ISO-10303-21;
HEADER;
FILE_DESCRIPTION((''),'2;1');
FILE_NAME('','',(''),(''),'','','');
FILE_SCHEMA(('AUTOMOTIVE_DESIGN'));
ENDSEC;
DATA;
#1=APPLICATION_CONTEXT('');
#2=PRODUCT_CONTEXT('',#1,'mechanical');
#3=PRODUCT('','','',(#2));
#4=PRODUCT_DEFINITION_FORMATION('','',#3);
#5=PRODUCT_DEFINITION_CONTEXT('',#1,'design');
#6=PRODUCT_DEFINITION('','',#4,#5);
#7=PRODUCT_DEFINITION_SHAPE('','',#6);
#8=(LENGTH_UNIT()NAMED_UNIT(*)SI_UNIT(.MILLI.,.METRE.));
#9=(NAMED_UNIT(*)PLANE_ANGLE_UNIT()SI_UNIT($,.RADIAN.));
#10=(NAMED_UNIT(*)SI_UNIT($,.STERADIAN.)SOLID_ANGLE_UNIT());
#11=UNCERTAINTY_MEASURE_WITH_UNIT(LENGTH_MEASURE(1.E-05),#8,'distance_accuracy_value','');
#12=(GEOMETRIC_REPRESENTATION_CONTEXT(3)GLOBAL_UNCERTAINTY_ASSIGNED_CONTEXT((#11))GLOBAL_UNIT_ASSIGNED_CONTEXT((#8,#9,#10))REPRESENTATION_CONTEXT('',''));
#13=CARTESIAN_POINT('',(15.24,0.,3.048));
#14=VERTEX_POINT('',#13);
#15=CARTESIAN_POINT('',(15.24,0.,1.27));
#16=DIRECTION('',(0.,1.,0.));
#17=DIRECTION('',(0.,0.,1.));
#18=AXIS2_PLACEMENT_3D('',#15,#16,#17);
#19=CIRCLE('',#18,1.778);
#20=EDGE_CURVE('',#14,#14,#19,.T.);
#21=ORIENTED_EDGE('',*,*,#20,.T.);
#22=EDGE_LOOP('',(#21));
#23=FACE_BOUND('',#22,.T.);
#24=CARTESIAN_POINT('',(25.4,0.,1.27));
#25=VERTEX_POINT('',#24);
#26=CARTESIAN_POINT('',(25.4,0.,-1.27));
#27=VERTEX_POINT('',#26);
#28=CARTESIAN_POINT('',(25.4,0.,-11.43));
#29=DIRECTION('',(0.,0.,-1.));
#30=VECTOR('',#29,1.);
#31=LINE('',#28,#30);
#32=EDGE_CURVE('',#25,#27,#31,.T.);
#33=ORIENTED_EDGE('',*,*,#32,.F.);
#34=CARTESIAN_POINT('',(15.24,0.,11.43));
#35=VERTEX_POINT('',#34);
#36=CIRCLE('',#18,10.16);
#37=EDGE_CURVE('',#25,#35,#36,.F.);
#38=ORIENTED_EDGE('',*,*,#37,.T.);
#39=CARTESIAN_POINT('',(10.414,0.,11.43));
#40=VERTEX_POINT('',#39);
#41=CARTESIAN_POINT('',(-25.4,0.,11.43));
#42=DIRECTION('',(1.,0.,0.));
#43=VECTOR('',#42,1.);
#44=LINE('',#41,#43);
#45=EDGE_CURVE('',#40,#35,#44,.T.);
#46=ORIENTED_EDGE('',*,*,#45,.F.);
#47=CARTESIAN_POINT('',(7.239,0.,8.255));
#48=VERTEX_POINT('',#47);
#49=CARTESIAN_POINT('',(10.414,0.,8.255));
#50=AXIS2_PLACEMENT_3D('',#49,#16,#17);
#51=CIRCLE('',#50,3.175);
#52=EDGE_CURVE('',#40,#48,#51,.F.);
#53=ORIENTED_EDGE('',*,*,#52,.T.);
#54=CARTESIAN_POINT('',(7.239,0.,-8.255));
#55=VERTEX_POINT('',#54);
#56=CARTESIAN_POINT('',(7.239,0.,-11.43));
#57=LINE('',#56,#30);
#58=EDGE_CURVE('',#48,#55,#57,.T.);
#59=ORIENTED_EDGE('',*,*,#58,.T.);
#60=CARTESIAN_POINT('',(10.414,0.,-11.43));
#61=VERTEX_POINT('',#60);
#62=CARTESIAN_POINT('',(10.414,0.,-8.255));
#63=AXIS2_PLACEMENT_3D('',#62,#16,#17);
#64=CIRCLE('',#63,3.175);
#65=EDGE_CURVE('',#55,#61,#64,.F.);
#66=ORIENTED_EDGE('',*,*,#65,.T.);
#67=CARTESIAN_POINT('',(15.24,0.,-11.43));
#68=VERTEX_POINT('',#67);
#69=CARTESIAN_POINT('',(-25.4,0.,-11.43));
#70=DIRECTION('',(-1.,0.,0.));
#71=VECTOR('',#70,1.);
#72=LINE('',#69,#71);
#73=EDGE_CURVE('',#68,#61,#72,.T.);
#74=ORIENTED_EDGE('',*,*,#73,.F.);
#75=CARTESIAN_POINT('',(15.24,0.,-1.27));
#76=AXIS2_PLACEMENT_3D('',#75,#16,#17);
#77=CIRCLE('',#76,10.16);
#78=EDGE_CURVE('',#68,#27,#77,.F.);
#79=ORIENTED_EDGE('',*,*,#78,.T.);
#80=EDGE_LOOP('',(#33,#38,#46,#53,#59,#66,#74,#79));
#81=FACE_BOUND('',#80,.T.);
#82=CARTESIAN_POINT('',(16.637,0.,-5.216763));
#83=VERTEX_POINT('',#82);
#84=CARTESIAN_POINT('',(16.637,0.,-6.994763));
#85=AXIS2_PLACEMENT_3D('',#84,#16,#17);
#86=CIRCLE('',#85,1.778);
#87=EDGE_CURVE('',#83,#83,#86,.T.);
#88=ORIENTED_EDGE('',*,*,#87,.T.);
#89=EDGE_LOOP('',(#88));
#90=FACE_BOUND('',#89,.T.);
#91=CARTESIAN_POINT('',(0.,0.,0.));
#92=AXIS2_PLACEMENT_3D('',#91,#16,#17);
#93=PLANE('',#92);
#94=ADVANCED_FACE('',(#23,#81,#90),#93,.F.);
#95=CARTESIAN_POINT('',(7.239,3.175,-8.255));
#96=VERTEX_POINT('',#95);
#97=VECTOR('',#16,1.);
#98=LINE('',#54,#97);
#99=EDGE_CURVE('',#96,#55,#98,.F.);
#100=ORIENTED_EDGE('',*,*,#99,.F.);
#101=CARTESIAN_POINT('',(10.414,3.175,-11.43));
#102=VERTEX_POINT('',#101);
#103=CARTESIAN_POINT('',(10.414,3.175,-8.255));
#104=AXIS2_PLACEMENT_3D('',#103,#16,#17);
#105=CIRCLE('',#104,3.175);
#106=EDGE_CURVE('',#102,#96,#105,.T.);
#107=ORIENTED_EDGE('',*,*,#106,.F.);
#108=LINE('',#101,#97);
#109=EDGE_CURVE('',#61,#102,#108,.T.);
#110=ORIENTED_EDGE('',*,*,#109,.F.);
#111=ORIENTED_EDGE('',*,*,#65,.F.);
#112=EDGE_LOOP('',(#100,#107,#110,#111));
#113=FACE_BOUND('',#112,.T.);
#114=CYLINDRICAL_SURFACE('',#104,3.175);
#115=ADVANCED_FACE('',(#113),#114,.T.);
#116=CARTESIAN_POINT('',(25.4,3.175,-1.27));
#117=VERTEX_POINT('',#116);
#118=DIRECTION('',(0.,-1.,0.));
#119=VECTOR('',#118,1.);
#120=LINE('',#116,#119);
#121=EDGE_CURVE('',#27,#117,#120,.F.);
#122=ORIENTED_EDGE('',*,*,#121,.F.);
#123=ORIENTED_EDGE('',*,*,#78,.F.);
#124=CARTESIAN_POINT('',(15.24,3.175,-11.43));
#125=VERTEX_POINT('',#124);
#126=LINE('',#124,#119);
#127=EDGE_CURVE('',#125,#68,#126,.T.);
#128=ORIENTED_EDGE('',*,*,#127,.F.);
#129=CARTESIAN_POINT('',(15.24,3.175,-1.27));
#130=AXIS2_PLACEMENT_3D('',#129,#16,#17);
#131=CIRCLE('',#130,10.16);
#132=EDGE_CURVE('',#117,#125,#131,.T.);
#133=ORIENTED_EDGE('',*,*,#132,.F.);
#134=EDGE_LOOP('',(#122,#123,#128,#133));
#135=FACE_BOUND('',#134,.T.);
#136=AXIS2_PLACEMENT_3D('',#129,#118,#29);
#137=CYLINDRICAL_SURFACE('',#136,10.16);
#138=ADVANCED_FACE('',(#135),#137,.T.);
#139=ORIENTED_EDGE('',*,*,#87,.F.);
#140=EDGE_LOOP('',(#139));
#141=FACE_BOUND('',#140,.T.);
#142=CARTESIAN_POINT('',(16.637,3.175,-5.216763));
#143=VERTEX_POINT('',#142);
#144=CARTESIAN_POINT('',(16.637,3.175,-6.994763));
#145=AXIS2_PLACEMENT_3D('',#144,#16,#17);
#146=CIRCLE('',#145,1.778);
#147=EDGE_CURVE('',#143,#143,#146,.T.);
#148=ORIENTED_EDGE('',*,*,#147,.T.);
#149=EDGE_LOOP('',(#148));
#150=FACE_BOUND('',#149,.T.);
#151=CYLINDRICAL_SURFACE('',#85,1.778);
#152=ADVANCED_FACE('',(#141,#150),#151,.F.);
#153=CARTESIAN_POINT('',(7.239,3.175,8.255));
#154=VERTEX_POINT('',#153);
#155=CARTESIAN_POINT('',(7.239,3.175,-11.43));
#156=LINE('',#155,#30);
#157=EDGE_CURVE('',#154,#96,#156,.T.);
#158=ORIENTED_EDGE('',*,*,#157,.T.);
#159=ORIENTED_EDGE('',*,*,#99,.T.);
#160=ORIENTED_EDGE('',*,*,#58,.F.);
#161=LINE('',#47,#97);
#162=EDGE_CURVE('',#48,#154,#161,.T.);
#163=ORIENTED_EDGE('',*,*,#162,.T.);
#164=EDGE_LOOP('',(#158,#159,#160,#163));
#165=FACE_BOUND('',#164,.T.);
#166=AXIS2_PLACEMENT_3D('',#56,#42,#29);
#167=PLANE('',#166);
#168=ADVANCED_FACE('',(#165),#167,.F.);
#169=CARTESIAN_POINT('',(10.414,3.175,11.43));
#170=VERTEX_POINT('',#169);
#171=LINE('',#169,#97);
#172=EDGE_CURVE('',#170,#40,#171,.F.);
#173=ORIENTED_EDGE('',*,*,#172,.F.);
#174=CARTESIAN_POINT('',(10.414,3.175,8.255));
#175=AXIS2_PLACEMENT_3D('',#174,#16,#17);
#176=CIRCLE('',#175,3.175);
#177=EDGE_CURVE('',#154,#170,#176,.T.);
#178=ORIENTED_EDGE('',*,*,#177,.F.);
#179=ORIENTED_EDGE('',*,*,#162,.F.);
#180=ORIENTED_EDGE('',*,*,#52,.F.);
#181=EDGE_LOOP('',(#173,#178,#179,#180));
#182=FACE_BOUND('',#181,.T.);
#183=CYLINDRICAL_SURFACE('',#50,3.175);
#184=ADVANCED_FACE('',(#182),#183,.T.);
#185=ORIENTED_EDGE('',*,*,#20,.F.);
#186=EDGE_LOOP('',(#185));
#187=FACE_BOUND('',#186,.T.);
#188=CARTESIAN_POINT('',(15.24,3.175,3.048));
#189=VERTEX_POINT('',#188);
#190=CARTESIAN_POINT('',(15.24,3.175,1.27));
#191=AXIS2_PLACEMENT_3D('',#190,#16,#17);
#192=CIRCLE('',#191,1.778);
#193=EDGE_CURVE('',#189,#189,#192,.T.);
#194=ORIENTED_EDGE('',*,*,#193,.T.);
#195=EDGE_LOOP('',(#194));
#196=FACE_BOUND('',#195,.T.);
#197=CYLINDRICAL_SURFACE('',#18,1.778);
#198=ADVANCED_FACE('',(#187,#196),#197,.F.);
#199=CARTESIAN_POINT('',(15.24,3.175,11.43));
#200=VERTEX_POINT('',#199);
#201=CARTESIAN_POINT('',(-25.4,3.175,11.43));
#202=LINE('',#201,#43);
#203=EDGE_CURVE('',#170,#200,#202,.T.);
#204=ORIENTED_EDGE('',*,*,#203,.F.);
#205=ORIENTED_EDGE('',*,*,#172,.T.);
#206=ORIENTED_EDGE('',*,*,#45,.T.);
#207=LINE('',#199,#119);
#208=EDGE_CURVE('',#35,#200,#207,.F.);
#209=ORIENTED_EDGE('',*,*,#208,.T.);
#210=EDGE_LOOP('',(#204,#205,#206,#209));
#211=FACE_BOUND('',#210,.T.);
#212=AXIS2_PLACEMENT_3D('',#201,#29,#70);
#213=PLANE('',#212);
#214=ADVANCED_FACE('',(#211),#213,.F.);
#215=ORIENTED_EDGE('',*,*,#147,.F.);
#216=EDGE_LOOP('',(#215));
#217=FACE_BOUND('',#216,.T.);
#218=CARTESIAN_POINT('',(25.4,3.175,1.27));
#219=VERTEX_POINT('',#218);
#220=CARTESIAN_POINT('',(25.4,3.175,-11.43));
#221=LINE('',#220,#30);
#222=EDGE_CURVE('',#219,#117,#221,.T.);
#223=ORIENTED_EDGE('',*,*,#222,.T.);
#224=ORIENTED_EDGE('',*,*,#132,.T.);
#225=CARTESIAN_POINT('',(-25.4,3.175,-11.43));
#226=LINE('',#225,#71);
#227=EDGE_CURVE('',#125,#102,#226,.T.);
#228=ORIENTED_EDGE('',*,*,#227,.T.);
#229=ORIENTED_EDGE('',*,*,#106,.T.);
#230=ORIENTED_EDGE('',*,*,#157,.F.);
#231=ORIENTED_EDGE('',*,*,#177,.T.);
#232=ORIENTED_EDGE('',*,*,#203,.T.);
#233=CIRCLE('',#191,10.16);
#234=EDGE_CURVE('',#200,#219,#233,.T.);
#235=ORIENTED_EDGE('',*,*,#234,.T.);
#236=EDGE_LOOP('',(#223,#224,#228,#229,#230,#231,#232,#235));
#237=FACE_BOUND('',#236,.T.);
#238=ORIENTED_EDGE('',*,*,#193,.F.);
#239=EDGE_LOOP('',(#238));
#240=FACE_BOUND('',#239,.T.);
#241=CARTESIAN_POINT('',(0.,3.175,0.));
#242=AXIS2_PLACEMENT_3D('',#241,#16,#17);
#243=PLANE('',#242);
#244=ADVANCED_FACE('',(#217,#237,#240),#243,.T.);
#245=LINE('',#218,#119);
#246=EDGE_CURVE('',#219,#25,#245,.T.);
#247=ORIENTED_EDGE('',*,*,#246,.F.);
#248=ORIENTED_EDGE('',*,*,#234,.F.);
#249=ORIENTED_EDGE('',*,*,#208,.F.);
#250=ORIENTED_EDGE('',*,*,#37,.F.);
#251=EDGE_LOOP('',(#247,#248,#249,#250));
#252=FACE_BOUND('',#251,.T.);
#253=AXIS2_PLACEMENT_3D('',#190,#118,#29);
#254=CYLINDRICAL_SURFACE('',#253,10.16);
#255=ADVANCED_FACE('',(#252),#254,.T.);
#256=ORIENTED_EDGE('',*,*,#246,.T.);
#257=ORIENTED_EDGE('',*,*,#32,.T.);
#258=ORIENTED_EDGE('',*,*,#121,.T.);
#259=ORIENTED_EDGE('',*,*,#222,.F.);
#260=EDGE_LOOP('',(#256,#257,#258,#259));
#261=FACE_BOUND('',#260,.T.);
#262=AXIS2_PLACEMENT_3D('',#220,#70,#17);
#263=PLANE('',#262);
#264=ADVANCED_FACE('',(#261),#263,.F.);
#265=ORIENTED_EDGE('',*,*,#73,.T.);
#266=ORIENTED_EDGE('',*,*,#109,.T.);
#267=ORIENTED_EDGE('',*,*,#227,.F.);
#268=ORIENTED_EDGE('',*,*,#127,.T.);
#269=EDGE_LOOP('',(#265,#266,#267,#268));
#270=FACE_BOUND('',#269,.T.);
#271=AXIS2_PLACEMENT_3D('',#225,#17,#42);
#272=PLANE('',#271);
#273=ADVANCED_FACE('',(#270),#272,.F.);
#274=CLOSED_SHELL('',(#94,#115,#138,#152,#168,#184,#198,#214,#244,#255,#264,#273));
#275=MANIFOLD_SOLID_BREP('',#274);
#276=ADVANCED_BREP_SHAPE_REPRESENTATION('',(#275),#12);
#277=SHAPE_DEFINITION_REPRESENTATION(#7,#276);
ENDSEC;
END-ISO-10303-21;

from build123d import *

# Parameters (mm, degrees)
SKETCH1_W           = 50.8
SKETCH1_H           = 22.86
BOSS_EXTRUDE1_DEPTH = 3.175
FILLET1_R           = 10.16
SKETCH3_R           = 1.778
CUT_EXTRUDE1_DEPTH  = 29.033649869
FILLET3_R           = 10.16
SKETCH4_W           = 32.639
SKETCH4_H           = 22.86
CUT_EXTRUDE2_DEPTH  = 29.033649869
FILLET9_R           = 3.175


with BuildPart() as part:
    # Sketch1 → Boss-Extrude1 (new body)
    with BuildSketch(Plane(origin=(0, 0, 0), x_dir=(1, 0, 0), z_dir=(0, 1, 0))):
        Rectangle(SKETCH1_W, SKETCH1_H)
    extrude(amount=BOSS_EXTRUDE1_DEPTH)

    # Fillet1
    fillet1_edges = [part.edges().sort_by_distance(p)[0] for p in [
        (25.4, 1.5875, 11.43),
        (-25.4, 1.5875, 11.43),
    ]]
    fillet(fillet1_edges, radius=FILLET1_R)

    # Sketch3 → Cut-Extrude1 (cut, through all)
    with BuildSketch(Plane(origin=(0, 3.175, 0), x_dir=(1, 0, 0), z_dir=(0, 1, 0))):
        with Locations(Location((15.24, -1.27, 0), (0, 0, 270))):
            Circle(SKETCH3_R)
        with Locations(Location((16.637, 6.994763457, 0), (0, 0, 270))):
            Circle(SKETCH3_R)
        with Locations(Location((-3.81, -1.27, 0), (0, 0, 270))):
            Circle(SKETCH3_R)
    extrude(amount=-CUT_EXTRUDE1_DEPTH, mode=Mode.SUBTRACT)

    # Fillet3
    fillet3_edges = [part.edges().sort_by_distance(p)[0] for p in [
        (-25.4, 1.5875, -11.43),
        (25.4, 1.5875, -11.43),
    ]]
    fillet(fillet3_edges, radius=FILLET3_R)

    # Sketch4 → Cut-Extrude2 (cut, through all)
    with BuildSketch(Plane(origin=(0, 3.175, 0), x_dir=(1, 0, 0), z_dir=(0, 1, 0))):
        with Locations((-9.0805, 0)):
            Rectangle(SKETCH4_W, SKETCH4_H)
    extrude(amount=-CUT_EXTRUDE2_DEPTH, mode=Mode.SUBTRACT)

    # Fillet9
    fillet9_edges = [part.edges().sort_by_distance(p)[0] for p in [
        (7.239, 1.5875, -11.43),
        (7.239, 1.5875, 11.43),
    ]]
    fillet(fillet9_edges, radius=FILLET9_R)


solid = part.part
